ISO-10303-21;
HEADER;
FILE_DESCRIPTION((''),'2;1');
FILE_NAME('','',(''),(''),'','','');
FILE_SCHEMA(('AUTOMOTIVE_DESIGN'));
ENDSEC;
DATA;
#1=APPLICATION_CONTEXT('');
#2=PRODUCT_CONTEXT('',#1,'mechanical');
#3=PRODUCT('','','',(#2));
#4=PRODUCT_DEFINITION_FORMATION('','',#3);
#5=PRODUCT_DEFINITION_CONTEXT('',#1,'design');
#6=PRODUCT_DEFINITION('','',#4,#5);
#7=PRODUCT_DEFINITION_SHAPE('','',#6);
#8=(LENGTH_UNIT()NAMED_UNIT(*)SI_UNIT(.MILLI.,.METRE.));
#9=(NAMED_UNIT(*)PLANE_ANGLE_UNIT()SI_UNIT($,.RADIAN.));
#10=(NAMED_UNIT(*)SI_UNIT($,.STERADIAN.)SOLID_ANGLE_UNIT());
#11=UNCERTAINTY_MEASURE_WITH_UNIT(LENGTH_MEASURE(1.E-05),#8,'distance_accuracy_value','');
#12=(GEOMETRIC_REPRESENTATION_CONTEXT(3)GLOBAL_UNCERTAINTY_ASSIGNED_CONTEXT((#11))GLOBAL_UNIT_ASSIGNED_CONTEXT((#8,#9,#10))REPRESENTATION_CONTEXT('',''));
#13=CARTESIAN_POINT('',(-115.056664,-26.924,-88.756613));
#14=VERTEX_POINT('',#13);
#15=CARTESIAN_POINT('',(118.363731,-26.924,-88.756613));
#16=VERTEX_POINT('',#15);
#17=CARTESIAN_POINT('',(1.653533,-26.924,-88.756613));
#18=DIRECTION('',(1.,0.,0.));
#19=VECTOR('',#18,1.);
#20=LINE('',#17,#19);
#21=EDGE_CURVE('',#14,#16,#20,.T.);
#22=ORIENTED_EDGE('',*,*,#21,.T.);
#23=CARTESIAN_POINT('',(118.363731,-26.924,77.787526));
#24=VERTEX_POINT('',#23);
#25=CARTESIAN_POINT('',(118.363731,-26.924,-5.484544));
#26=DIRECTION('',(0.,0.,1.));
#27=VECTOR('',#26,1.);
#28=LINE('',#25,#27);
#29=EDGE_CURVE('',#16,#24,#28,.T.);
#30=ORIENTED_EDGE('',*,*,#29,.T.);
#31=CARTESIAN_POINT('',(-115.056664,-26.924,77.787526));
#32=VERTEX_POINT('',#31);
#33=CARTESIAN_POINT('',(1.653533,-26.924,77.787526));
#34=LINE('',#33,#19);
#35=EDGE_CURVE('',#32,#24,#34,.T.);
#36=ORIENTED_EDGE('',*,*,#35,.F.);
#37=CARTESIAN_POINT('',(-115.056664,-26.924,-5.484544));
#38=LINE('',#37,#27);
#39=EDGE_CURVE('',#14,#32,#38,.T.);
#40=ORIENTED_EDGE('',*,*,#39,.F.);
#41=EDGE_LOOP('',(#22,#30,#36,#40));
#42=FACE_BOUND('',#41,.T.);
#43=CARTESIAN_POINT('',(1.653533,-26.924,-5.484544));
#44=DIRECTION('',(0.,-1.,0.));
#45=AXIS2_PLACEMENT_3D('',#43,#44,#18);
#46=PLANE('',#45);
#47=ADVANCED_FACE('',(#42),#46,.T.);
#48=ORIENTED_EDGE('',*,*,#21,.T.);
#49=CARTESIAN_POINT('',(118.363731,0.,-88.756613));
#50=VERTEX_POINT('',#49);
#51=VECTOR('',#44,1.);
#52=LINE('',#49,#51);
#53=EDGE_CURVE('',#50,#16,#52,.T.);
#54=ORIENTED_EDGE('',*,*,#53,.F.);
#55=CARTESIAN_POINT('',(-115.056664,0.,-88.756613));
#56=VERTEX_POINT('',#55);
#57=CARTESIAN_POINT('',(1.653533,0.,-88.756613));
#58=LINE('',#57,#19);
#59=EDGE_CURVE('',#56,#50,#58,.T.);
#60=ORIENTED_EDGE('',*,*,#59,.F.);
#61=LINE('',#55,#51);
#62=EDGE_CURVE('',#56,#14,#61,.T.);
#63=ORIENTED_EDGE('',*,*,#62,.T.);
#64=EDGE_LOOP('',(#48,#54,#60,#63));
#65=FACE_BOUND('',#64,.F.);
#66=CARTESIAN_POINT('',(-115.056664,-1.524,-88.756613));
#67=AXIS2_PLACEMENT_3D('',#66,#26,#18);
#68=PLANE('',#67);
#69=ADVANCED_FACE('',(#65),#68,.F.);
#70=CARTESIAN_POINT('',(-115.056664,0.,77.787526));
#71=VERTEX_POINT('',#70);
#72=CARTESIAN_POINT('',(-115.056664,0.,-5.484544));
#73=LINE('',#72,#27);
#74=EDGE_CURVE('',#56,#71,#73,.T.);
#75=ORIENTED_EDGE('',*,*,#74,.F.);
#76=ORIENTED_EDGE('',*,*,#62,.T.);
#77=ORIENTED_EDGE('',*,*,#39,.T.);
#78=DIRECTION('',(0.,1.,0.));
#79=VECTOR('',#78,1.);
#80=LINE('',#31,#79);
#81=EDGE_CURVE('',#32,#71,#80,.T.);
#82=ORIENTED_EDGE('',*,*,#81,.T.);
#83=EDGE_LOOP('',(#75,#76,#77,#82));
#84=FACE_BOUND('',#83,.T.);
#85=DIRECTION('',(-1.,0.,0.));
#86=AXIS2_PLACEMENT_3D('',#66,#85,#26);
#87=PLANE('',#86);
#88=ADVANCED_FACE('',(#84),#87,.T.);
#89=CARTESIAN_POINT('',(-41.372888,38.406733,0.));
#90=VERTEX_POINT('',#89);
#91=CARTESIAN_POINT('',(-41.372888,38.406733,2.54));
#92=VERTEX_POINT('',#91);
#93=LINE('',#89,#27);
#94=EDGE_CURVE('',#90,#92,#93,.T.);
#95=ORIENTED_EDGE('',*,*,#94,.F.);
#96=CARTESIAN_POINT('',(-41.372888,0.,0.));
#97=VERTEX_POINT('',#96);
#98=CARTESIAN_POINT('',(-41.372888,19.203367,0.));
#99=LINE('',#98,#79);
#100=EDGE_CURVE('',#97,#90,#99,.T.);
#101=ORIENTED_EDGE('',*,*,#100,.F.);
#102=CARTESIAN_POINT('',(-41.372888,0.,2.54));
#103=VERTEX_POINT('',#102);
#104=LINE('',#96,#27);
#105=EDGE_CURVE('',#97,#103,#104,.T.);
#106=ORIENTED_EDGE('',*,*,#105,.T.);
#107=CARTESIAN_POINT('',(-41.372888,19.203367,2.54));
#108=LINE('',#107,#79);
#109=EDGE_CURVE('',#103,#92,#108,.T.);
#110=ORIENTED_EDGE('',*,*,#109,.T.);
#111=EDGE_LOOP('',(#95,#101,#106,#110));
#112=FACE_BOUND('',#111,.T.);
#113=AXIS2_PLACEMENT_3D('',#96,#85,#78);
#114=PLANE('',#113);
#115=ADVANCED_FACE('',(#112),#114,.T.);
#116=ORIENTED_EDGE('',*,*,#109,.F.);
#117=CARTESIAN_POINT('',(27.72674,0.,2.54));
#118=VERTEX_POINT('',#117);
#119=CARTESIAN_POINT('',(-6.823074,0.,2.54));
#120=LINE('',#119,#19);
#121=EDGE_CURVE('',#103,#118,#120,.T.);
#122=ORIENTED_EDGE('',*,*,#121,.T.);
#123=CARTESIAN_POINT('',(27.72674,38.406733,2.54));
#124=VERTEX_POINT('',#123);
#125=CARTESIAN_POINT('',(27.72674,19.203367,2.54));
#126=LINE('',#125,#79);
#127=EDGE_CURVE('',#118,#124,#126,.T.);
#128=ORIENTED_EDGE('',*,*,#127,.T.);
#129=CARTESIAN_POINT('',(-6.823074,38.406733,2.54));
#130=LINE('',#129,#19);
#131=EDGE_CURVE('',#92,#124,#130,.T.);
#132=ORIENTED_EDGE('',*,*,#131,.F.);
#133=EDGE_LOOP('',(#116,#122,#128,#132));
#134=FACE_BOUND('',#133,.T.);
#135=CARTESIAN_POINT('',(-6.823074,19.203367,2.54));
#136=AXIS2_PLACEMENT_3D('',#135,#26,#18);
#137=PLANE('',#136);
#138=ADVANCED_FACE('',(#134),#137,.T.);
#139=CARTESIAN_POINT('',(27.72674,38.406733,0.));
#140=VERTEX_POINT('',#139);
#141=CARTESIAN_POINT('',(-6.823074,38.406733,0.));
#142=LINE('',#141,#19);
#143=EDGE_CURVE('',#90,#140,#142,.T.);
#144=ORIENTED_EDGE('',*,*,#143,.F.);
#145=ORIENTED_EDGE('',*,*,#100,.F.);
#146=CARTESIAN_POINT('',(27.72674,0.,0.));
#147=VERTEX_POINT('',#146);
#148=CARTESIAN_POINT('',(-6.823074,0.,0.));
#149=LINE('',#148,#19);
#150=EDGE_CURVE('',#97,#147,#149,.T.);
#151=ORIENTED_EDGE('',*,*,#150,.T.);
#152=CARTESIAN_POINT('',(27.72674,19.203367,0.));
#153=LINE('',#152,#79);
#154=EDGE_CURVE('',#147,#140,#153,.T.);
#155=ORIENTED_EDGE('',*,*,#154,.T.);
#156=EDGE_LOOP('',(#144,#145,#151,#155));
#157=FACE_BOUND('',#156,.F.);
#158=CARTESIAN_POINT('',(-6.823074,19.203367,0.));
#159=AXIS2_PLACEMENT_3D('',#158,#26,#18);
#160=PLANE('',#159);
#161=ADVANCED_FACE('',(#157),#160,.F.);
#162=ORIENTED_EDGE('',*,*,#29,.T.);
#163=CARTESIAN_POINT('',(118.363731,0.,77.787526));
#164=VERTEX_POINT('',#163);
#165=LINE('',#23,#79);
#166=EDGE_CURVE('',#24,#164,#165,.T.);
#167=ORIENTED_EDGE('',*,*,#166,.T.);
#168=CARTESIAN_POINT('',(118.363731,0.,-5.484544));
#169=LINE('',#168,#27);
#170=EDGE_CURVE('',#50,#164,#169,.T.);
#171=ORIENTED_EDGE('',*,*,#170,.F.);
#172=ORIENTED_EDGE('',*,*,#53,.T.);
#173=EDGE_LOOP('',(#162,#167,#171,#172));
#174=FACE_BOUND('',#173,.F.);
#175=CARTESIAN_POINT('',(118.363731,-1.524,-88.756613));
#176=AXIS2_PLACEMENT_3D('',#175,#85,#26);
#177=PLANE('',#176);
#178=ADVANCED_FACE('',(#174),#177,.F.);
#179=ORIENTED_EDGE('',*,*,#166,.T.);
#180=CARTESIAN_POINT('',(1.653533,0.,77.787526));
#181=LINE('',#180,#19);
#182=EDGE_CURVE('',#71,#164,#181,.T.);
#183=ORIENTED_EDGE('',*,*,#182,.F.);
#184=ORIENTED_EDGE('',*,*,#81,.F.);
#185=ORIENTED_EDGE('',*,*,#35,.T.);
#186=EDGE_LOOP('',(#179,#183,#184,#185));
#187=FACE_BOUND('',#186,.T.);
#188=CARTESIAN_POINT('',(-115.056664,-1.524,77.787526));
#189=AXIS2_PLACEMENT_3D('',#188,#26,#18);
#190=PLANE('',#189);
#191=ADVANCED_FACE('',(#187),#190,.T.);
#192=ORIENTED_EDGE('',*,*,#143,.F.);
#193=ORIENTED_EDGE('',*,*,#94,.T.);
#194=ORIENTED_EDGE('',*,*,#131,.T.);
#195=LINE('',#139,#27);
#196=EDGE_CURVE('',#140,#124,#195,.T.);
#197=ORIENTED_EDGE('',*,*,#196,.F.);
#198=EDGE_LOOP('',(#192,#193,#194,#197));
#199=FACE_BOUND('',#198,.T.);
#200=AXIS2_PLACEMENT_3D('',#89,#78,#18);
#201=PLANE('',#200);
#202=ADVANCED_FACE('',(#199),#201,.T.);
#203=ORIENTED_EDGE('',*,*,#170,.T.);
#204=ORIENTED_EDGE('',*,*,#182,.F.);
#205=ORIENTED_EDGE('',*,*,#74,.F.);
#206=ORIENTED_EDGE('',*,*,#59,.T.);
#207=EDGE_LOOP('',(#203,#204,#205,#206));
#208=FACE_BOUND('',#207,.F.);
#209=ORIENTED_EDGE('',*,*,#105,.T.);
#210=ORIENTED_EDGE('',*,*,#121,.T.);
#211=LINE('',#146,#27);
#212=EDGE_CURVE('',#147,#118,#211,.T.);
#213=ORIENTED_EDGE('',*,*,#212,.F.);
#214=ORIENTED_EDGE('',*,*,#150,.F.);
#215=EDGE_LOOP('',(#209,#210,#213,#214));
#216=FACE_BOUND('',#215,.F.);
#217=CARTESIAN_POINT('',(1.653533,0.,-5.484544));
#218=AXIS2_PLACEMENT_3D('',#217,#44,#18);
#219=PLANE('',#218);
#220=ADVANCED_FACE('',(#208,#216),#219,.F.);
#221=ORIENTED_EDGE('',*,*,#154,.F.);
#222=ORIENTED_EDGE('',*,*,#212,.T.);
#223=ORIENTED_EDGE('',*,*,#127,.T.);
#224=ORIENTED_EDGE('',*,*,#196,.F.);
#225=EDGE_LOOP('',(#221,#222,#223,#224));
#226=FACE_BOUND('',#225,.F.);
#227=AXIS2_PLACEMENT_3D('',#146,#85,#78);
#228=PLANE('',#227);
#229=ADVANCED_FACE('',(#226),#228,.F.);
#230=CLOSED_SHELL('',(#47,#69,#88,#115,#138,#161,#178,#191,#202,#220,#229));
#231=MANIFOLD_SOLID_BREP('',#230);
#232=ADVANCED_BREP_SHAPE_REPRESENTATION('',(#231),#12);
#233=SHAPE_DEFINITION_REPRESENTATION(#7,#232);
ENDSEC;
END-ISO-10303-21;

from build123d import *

# Parameters (mm, degrees)
F0_W     = 233.420394361
F0_H     = 166.5441393852
F1_DEPTH = 1.27
F2_DEPTH = 0.254
F3_DEPTH = 25.4
F4_W     = 69.0996274352
F4_H     = 38.4067334235
F5_DEPTH = 2.54


with BuildPart() as f1:
    # F0 (on Front) → F1 (new body)
    with BuildSketch(Plane.XZ):
        with Locations((1.6535334289, -5.4845437407)):
            Rectangle(F0_W, F0_H)
    extrude(amount=F1_DEPTH)

    # F2 (add): a face of the model
    f2_faces = [f1.faces().sort_by_distance(p)[0] for p in [
        (1.6535334289, -1.27, -5.4845437407),
    ]]
    extrude(f2_faces, amount=F2_DEPTH)

    # F3 (add): a face of the model
    f3_faces = [f1.faces().sort_by_distance(p)[0] for p in [
        (1.6535334289, -1.524, -5.4845437407),
    ]]
    extrude(f3_faces, amount=F3_DEPTH)

    # F4 (on Top) → F5 (join)
    with BuildSketch(Plane.XY):
        with Locations((-6.8230740726, 19.2033667117)):
            Rectangle(F4_W, F4_H)
    extrude(amount=F5_DEPTH)


solid = f1.part
